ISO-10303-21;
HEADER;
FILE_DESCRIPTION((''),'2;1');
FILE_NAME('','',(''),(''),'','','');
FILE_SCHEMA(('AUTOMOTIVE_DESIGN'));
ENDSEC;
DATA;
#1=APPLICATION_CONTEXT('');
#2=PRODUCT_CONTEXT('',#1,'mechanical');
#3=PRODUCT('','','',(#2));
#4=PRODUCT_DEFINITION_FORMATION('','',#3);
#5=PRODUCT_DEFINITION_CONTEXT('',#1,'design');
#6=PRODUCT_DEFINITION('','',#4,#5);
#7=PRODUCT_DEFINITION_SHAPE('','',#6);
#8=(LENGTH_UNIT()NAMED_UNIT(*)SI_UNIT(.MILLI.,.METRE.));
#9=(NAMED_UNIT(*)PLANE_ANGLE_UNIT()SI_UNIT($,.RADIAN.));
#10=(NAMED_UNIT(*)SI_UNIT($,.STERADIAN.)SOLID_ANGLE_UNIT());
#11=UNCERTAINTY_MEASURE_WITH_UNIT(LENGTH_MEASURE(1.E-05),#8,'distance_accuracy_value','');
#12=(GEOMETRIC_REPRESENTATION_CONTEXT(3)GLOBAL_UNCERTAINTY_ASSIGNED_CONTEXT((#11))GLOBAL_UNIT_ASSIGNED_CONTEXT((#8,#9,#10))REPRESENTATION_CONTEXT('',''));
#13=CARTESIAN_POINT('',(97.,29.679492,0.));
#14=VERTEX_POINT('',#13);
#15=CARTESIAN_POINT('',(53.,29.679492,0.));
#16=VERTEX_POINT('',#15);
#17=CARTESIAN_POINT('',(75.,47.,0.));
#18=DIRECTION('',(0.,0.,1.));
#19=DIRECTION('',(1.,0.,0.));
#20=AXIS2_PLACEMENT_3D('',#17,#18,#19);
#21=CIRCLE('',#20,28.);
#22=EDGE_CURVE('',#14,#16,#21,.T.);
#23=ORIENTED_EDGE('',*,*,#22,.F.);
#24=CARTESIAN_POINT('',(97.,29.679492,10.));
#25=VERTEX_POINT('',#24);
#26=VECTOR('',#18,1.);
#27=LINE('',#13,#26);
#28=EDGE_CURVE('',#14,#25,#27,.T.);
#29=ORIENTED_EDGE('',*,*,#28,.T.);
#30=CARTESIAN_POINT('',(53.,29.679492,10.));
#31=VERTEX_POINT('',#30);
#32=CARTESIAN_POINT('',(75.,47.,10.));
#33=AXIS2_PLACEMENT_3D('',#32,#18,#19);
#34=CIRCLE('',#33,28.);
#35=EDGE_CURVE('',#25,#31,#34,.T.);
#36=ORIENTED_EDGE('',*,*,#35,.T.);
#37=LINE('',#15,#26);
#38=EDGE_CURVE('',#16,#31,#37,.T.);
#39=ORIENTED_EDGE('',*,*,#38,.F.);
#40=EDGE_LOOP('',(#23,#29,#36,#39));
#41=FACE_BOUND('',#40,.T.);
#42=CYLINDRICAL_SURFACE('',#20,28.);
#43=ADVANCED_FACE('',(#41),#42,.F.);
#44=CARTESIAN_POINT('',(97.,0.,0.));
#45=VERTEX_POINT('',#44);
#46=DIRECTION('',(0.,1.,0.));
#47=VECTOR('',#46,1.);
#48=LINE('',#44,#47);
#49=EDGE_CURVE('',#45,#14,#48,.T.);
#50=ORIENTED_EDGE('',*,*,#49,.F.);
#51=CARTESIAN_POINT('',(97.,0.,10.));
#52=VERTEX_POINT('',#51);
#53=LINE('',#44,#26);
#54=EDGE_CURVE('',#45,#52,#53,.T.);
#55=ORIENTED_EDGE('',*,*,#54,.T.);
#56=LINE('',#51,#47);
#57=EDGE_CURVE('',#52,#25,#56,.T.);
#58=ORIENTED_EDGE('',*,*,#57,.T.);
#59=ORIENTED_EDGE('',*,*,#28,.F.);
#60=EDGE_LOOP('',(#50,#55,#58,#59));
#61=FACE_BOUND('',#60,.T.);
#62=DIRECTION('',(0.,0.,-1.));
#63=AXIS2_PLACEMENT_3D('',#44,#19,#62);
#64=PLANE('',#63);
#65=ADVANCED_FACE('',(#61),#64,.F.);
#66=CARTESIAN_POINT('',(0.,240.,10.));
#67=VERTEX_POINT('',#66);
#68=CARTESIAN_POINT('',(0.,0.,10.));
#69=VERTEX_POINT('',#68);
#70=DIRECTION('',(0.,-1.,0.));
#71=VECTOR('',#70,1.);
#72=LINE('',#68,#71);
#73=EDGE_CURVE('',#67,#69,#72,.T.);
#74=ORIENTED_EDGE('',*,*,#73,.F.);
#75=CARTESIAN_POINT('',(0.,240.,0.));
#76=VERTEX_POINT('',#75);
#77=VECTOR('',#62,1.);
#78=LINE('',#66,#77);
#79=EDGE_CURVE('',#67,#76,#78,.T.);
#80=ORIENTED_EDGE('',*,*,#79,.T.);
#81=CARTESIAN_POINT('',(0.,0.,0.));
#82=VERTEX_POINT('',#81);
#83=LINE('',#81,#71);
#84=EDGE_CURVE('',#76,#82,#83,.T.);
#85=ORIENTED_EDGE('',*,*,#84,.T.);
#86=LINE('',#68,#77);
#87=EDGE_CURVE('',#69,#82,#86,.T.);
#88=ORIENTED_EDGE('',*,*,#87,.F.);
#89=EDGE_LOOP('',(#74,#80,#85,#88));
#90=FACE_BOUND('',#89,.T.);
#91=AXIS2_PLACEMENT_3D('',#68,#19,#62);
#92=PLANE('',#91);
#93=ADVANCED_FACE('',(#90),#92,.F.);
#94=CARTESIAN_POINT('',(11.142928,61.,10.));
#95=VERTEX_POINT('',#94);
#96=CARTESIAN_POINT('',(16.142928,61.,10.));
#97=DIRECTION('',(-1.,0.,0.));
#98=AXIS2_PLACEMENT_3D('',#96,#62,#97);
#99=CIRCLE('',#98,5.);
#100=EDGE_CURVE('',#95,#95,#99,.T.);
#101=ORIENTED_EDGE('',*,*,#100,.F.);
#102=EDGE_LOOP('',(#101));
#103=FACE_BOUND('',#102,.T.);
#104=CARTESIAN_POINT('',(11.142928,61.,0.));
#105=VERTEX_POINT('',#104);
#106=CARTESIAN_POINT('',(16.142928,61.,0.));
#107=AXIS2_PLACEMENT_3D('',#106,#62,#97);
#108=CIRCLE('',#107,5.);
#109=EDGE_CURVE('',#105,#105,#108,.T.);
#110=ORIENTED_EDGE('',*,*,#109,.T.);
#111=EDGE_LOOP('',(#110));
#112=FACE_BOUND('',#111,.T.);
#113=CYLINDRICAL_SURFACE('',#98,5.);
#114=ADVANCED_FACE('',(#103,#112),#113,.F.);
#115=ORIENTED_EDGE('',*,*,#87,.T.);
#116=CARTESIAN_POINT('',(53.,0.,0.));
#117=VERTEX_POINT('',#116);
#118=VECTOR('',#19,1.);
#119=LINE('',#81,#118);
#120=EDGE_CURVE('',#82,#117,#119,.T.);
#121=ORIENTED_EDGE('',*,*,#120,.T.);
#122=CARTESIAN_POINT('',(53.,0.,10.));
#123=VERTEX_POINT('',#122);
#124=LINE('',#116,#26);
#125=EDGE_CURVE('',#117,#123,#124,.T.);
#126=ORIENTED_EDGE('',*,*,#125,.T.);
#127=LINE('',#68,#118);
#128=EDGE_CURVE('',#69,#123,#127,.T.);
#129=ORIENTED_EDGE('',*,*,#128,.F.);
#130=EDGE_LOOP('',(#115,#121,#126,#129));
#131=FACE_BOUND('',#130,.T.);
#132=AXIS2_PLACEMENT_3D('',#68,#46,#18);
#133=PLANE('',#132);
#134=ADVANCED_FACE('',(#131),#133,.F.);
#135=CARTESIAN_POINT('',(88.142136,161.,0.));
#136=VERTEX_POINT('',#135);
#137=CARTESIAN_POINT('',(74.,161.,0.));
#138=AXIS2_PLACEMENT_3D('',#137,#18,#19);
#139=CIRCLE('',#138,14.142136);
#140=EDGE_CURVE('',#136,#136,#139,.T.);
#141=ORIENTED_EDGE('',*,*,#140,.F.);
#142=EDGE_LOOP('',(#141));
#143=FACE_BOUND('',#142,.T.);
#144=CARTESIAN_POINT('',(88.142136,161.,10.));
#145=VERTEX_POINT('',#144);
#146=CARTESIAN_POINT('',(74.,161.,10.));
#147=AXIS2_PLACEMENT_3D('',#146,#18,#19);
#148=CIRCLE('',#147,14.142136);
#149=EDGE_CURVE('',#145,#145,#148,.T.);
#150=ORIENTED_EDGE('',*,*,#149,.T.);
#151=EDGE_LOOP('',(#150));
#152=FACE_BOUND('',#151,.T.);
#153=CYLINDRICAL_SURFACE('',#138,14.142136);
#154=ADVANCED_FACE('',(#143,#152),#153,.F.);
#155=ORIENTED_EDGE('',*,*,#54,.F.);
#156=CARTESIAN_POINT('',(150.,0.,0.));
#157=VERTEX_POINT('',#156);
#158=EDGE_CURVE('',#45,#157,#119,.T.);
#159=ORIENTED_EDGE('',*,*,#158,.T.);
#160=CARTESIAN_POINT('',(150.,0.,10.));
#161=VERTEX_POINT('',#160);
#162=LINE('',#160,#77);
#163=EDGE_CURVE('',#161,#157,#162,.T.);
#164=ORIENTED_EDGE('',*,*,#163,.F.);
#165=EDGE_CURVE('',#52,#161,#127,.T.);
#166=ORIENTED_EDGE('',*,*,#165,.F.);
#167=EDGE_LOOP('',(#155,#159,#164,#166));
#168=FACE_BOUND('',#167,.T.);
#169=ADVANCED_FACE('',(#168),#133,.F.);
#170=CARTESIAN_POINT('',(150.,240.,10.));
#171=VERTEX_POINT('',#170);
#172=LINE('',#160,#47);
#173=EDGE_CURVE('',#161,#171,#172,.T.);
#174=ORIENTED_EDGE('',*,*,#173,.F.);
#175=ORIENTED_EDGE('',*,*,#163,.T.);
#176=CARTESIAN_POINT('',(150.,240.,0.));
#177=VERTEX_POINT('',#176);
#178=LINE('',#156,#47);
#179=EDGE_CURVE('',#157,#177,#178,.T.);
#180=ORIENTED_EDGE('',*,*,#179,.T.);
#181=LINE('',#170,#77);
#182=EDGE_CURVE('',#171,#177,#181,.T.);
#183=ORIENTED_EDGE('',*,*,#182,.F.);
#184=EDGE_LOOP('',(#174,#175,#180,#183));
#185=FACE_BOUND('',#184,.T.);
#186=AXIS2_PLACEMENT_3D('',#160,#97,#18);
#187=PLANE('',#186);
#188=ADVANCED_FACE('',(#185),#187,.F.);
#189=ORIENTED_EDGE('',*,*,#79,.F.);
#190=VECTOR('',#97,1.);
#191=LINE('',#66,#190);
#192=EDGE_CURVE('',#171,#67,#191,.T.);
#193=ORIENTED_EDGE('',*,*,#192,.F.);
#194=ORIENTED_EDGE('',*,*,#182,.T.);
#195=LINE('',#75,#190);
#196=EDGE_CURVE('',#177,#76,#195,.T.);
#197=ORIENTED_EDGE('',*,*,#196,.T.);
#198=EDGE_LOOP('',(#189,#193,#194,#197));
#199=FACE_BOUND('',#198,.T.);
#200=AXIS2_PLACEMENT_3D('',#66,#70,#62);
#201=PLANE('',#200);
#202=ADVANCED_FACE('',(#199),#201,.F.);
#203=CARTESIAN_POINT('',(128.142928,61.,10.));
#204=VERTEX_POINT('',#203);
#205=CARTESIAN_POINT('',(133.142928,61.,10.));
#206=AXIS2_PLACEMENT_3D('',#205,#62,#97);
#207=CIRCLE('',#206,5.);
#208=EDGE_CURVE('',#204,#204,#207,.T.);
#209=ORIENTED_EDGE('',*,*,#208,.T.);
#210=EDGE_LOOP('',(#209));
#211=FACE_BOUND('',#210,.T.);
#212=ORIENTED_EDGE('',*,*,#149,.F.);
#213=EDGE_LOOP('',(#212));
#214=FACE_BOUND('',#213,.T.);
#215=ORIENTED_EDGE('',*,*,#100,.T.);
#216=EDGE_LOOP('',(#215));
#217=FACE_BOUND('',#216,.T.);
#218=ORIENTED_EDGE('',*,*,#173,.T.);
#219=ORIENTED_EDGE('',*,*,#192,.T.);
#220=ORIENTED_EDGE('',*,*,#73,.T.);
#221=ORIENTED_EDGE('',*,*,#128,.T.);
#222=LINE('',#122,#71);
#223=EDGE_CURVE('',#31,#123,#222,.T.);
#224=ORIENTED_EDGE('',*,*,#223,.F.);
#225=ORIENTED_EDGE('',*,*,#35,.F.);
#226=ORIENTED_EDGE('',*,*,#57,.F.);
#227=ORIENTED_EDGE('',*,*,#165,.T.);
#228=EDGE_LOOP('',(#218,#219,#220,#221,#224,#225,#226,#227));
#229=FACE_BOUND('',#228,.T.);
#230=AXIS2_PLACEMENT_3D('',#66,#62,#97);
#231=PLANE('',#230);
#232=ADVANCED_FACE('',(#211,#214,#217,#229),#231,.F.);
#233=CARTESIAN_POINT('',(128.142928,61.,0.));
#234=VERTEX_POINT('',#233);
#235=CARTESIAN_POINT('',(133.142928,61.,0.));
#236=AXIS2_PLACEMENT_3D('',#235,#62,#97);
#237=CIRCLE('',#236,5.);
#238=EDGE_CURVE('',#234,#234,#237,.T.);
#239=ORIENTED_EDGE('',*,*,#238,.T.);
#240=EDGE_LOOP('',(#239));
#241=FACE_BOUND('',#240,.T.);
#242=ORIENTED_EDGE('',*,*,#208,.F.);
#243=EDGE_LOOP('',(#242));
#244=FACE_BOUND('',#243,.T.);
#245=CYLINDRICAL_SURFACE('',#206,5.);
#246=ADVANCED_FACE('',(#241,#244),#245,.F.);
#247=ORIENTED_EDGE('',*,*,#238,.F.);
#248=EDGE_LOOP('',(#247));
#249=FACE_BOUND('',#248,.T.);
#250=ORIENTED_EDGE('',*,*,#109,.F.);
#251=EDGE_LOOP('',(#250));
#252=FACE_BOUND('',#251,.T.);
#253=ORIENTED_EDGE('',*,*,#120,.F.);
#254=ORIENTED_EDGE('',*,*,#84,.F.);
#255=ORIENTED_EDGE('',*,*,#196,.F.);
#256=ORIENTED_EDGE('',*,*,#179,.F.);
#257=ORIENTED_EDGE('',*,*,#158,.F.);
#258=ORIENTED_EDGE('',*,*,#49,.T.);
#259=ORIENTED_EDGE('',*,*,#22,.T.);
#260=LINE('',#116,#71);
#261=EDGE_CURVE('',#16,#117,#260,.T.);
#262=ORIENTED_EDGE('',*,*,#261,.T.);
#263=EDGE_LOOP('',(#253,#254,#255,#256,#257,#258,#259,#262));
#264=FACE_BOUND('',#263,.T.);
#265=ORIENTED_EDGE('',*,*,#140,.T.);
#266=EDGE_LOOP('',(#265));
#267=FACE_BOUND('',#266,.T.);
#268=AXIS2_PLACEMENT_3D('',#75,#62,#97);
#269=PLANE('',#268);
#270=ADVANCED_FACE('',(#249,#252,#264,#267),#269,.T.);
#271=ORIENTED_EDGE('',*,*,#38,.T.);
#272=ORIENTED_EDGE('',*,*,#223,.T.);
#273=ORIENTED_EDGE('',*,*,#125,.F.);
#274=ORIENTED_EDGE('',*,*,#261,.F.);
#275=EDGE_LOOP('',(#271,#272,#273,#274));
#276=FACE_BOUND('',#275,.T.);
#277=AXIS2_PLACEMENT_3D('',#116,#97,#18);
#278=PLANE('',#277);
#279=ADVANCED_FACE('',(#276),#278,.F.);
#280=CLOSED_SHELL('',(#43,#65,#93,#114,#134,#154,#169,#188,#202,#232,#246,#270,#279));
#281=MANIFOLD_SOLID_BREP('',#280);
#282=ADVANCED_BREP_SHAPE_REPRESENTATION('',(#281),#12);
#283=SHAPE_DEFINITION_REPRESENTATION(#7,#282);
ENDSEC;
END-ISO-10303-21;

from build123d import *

# Parameters (mm, degrees)
ESQUISSE1_W             = 150
ESQUISSE1_H             = 240
BASE_EXTRUSION_DEPTH    = 10
ENL_V_MAT_EXTRU_1_DEPTH = 10
ESQUISSE3_R             = 14.142135624
ENL_V_MAT_EXTRU_2_DEPTH = 10
ESQUISSE4_R             = 5
ENL_V_MAT_EXTRU_3_DEPTH = 284.19604517


with BuildPart() as part:
    # Esquisse1 → Base-Extrusion (new body)
    with BuildSketch(Plane.XY):
        with Locations((75, 120)):
            Rectangle(ESQUISSE1_W, ESQUISSE1_H)
    extrude(amount=BASE_EXTRUSION_DEPTH)

    # Esquisse2 → Enlèv. mat.-Extru.1 (cut)
    with BuildSketch(Plane.XY.offset(10)):
        with BuildLine():
            Line((53, 0), (97, 0))
            Line((97, 0), (97, 29.679491924))
            ThreePointArc((97, 29.679491924), (75, 75), (53, 29.679491924))
            Line((53, 29.679491924), (53, 0))
        make_face()
    extrude(amount=-ENL_V_MAT_EXTRU_1_DEPTH, mode=Mode.SUBTRACT)

    # Esquisse3 → Enlèv. mat.-Extru.2 (cut)
    with BuildSketch(Plane.XY.offset(10)):
        with Locations((74, 161)):
            Circle(ESQUISSE3_R)
    extrude(amount=-ENL_V_MAT_EXTRU_2_DEPTH, mode=Mode.SUBTRACT)

    # Esquisse4 → Enlèv. mat.-Extru.3 (cut, through all)
    with BuildSketch(Plane(origin=(0, 0, 0), x_dir=(-1, 0, 0), z_dir=(0, 0, -1))):
        with Locations((-16.142927736, 61)):
            Circle(ESQUISSE4_R)
        with Locations((-133.142927736, 61)):
            Circle(ESQUISSE4_R)
    extrude(amount=-ENL_V_MAT_EXTRU_3_DEPTH, mode=Mode.SUBTRACT)


solid = part.part
